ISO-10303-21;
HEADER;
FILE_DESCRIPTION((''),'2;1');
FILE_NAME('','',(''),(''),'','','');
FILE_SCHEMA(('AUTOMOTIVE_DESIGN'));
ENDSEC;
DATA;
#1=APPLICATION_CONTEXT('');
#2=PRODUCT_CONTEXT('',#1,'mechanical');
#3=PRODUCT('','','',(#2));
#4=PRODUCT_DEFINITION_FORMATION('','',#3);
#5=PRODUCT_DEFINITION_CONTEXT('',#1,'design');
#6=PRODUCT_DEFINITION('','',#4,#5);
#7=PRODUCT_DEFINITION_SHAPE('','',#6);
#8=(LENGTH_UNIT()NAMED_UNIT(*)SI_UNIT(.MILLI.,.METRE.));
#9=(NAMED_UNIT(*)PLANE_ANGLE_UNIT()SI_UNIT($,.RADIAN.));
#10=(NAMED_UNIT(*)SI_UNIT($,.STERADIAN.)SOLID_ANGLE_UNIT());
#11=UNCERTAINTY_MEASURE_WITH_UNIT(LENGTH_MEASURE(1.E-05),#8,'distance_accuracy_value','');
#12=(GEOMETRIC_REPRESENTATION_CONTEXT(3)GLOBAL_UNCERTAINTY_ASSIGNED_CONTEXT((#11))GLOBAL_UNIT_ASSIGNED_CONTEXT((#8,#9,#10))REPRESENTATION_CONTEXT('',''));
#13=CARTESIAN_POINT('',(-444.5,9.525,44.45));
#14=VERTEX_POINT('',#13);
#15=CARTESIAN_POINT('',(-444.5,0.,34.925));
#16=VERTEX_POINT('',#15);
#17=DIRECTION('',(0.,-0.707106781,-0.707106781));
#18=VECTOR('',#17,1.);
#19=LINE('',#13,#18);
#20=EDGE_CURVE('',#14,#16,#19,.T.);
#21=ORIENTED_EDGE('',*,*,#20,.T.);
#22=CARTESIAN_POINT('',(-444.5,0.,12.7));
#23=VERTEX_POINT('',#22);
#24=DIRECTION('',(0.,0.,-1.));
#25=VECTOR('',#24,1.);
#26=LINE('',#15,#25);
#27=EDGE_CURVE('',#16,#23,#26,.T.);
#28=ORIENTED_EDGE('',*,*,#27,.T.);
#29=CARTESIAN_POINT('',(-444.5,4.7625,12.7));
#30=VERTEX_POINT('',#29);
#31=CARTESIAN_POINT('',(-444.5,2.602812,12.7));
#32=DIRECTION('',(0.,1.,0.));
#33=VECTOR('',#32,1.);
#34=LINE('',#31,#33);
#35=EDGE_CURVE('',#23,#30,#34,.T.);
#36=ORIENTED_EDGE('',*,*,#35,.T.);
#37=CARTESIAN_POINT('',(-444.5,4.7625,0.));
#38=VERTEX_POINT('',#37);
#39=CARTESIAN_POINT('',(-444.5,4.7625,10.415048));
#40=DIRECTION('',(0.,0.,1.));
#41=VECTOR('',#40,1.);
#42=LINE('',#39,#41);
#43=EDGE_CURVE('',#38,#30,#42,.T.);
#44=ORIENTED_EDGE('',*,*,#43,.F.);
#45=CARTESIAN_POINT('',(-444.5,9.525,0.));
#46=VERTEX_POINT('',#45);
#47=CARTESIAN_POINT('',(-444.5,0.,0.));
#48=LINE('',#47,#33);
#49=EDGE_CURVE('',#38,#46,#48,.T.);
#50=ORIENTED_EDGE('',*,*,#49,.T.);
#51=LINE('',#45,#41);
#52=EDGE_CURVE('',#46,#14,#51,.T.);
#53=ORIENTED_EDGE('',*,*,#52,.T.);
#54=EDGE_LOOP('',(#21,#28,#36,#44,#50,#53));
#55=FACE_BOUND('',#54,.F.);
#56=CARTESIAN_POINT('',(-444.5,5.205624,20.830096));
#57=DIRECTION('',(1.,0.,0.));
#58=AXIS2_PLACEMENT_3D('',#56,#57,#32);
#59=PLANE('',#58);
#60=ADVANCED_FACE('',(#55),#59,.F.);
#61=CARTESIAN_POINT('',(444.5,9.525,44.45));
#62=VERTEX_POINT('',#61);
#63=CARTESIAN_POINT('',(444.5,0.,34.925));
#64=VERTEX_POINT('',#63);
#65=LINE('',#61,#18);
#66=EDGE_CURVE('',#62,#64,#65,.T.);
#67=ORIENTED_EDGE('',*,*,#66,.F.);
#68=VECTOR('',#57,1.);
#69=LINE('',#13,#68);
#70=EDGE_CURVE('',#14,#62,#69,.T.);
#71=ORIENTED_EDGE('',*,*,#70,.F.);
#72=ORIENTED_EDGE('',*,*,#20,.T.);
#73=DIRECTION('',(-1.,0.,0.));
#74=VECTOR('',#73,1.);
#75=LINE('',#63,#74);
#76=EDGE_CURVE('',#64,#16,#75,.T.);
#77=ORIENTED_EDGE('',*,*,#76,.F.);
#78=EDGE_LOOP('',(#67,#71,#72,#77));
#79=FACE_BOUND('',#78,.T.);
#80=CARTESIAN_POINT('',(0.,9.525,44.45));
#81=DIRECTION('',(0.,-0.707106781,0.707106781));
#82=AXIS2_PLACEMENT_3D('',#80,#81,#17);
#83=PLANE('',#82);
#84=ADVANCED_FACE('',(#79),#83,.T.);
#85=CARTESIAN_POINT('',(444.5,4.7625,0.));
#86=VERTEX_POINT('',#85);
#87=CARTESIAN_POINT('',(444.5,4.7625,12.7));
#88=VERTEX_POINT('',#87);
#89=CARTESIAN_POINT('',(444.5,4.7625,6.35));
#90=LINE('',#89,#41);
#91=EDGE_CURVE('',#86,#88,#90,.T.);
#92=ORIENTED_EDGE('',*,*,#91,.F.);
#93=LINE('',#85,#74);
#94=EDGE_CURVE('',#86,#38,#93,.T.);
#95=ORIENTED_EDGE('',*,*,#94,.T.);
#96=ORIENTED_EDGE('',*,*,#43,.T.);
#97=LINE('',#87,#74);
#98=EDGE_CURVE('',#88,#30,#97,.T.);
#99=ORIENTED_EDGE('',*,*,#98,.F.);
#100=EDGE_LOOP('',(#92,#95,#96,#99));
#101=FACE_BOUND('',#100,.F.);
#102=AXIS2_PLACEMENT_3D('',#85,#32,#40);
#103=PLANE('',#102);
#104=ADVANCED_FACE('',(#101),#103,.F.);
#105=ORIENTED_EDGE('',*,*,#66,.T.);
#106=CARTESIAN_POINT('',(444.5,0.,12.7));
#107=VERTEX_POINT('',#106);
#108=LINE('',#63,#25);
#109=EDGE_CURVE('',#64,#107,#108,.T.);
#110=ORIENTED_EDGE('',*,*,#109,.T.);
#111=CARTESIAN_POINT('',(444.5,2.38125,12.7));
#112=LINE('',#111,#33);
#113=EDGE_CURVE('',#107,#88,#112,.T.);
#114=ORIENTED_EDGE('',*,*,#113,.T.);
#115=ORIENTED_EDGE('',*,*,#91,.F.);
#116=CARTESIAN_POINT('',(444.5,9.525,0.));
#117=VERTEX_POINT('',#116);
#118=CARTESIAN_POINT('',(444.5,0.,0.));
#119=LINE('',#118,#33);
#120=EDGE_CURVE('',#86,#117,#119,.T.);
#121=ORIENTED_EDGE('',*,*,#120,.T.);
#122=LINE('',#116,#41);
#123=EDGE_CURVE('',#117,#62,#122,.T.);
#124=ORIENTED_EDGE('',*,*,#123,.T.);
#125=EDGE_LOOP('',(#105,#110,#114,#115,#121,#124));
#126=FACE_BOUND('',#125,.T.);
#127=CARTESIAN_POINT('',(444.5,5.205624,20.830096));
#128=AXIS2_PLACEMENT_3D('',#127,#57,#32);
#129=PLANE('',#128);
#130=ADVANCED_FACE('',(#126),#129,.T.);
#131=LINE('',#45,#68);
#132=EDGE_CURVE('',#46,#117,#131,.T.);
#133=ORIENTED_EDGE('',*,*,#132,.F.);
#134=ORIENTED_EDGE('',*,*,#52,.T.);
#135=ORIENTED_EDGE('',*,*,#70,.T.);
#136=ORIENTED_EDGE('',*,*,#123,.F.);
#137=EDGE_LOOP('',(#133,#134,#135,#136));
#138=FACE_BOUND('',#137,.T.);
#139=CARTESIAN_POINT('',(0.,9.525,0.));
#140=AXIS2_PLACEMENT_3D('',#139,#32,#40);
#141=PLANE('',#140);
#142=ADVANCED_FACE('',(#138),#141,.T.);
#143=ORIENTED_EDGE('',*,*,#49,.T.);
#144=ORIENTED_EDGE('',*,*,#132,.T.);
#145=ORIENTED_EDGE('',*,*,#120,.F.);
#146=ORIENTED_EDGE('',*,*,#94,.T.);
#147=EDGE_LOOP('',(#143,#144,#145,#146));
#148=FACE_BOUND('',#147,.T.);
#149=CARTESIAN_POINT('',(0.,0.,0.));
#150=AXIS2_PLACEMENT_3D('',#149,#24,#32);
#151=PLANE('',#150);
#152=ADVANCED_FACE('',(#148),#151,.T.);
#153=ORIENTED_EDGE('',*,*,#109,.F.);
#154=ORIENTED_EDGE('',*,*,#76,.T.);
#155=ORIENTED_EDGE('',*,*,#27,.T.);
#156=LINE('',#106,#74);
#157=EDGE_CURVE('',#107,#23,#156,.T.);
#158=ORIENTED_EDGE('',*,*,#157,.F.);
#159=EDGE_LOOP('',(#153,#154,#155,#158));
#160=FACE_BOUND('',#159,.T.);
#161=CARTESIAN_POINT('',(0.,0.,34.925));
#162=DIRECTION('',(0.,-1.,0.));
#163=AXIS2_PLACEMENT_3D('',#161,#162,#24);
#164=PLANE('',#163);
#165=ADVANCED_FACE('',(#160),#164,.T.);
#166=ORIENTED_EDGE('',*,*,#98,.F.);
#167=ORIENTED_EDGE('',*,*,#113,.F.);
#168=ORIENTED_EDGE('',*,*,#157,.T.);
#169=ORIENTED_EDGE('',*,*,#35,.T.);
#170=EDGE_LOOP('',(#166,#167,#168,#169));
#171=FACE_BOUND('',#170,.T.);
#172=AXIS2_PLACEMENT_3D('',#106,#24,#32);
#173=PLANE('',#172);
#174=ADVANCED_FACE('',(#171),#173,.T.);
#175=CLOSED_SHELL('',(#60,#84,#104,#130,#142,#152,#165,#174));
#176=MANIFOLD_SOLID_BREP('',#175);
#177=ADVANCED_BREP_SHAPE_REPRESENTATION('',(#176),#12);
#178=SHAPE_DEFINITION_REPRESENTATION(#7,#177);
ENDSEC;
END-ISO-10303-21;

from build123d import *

# Parameters (mm, degrees)
F1_DEPTH = 444.5
F2_W     = 4.7625
F2_H     = 12.7
F3_DEPTH = 889.001


with BuildPart() as f1:
    # F0 (on Right) → F1 (new body, symmetric)
    with BuildSketch(Plane.YZ):
        Polygon((0, 0), (9.525, 0), (9.525, 44.45), (0, 34.925), align=None)
    extrude(amount=F1_DEPTH, both=True)

    # F2 (on face) → F3 (cut, through all)
    with BuildSketch(Plane.YZ.offset(444.5)):
        with Locations((2.38125, 6.35)):
            Rectangle(F2_W, F2_H)
    extrude(amount=-F3_DEPTH, mode=Mode.SUBTRACT)


solid = f1.part
